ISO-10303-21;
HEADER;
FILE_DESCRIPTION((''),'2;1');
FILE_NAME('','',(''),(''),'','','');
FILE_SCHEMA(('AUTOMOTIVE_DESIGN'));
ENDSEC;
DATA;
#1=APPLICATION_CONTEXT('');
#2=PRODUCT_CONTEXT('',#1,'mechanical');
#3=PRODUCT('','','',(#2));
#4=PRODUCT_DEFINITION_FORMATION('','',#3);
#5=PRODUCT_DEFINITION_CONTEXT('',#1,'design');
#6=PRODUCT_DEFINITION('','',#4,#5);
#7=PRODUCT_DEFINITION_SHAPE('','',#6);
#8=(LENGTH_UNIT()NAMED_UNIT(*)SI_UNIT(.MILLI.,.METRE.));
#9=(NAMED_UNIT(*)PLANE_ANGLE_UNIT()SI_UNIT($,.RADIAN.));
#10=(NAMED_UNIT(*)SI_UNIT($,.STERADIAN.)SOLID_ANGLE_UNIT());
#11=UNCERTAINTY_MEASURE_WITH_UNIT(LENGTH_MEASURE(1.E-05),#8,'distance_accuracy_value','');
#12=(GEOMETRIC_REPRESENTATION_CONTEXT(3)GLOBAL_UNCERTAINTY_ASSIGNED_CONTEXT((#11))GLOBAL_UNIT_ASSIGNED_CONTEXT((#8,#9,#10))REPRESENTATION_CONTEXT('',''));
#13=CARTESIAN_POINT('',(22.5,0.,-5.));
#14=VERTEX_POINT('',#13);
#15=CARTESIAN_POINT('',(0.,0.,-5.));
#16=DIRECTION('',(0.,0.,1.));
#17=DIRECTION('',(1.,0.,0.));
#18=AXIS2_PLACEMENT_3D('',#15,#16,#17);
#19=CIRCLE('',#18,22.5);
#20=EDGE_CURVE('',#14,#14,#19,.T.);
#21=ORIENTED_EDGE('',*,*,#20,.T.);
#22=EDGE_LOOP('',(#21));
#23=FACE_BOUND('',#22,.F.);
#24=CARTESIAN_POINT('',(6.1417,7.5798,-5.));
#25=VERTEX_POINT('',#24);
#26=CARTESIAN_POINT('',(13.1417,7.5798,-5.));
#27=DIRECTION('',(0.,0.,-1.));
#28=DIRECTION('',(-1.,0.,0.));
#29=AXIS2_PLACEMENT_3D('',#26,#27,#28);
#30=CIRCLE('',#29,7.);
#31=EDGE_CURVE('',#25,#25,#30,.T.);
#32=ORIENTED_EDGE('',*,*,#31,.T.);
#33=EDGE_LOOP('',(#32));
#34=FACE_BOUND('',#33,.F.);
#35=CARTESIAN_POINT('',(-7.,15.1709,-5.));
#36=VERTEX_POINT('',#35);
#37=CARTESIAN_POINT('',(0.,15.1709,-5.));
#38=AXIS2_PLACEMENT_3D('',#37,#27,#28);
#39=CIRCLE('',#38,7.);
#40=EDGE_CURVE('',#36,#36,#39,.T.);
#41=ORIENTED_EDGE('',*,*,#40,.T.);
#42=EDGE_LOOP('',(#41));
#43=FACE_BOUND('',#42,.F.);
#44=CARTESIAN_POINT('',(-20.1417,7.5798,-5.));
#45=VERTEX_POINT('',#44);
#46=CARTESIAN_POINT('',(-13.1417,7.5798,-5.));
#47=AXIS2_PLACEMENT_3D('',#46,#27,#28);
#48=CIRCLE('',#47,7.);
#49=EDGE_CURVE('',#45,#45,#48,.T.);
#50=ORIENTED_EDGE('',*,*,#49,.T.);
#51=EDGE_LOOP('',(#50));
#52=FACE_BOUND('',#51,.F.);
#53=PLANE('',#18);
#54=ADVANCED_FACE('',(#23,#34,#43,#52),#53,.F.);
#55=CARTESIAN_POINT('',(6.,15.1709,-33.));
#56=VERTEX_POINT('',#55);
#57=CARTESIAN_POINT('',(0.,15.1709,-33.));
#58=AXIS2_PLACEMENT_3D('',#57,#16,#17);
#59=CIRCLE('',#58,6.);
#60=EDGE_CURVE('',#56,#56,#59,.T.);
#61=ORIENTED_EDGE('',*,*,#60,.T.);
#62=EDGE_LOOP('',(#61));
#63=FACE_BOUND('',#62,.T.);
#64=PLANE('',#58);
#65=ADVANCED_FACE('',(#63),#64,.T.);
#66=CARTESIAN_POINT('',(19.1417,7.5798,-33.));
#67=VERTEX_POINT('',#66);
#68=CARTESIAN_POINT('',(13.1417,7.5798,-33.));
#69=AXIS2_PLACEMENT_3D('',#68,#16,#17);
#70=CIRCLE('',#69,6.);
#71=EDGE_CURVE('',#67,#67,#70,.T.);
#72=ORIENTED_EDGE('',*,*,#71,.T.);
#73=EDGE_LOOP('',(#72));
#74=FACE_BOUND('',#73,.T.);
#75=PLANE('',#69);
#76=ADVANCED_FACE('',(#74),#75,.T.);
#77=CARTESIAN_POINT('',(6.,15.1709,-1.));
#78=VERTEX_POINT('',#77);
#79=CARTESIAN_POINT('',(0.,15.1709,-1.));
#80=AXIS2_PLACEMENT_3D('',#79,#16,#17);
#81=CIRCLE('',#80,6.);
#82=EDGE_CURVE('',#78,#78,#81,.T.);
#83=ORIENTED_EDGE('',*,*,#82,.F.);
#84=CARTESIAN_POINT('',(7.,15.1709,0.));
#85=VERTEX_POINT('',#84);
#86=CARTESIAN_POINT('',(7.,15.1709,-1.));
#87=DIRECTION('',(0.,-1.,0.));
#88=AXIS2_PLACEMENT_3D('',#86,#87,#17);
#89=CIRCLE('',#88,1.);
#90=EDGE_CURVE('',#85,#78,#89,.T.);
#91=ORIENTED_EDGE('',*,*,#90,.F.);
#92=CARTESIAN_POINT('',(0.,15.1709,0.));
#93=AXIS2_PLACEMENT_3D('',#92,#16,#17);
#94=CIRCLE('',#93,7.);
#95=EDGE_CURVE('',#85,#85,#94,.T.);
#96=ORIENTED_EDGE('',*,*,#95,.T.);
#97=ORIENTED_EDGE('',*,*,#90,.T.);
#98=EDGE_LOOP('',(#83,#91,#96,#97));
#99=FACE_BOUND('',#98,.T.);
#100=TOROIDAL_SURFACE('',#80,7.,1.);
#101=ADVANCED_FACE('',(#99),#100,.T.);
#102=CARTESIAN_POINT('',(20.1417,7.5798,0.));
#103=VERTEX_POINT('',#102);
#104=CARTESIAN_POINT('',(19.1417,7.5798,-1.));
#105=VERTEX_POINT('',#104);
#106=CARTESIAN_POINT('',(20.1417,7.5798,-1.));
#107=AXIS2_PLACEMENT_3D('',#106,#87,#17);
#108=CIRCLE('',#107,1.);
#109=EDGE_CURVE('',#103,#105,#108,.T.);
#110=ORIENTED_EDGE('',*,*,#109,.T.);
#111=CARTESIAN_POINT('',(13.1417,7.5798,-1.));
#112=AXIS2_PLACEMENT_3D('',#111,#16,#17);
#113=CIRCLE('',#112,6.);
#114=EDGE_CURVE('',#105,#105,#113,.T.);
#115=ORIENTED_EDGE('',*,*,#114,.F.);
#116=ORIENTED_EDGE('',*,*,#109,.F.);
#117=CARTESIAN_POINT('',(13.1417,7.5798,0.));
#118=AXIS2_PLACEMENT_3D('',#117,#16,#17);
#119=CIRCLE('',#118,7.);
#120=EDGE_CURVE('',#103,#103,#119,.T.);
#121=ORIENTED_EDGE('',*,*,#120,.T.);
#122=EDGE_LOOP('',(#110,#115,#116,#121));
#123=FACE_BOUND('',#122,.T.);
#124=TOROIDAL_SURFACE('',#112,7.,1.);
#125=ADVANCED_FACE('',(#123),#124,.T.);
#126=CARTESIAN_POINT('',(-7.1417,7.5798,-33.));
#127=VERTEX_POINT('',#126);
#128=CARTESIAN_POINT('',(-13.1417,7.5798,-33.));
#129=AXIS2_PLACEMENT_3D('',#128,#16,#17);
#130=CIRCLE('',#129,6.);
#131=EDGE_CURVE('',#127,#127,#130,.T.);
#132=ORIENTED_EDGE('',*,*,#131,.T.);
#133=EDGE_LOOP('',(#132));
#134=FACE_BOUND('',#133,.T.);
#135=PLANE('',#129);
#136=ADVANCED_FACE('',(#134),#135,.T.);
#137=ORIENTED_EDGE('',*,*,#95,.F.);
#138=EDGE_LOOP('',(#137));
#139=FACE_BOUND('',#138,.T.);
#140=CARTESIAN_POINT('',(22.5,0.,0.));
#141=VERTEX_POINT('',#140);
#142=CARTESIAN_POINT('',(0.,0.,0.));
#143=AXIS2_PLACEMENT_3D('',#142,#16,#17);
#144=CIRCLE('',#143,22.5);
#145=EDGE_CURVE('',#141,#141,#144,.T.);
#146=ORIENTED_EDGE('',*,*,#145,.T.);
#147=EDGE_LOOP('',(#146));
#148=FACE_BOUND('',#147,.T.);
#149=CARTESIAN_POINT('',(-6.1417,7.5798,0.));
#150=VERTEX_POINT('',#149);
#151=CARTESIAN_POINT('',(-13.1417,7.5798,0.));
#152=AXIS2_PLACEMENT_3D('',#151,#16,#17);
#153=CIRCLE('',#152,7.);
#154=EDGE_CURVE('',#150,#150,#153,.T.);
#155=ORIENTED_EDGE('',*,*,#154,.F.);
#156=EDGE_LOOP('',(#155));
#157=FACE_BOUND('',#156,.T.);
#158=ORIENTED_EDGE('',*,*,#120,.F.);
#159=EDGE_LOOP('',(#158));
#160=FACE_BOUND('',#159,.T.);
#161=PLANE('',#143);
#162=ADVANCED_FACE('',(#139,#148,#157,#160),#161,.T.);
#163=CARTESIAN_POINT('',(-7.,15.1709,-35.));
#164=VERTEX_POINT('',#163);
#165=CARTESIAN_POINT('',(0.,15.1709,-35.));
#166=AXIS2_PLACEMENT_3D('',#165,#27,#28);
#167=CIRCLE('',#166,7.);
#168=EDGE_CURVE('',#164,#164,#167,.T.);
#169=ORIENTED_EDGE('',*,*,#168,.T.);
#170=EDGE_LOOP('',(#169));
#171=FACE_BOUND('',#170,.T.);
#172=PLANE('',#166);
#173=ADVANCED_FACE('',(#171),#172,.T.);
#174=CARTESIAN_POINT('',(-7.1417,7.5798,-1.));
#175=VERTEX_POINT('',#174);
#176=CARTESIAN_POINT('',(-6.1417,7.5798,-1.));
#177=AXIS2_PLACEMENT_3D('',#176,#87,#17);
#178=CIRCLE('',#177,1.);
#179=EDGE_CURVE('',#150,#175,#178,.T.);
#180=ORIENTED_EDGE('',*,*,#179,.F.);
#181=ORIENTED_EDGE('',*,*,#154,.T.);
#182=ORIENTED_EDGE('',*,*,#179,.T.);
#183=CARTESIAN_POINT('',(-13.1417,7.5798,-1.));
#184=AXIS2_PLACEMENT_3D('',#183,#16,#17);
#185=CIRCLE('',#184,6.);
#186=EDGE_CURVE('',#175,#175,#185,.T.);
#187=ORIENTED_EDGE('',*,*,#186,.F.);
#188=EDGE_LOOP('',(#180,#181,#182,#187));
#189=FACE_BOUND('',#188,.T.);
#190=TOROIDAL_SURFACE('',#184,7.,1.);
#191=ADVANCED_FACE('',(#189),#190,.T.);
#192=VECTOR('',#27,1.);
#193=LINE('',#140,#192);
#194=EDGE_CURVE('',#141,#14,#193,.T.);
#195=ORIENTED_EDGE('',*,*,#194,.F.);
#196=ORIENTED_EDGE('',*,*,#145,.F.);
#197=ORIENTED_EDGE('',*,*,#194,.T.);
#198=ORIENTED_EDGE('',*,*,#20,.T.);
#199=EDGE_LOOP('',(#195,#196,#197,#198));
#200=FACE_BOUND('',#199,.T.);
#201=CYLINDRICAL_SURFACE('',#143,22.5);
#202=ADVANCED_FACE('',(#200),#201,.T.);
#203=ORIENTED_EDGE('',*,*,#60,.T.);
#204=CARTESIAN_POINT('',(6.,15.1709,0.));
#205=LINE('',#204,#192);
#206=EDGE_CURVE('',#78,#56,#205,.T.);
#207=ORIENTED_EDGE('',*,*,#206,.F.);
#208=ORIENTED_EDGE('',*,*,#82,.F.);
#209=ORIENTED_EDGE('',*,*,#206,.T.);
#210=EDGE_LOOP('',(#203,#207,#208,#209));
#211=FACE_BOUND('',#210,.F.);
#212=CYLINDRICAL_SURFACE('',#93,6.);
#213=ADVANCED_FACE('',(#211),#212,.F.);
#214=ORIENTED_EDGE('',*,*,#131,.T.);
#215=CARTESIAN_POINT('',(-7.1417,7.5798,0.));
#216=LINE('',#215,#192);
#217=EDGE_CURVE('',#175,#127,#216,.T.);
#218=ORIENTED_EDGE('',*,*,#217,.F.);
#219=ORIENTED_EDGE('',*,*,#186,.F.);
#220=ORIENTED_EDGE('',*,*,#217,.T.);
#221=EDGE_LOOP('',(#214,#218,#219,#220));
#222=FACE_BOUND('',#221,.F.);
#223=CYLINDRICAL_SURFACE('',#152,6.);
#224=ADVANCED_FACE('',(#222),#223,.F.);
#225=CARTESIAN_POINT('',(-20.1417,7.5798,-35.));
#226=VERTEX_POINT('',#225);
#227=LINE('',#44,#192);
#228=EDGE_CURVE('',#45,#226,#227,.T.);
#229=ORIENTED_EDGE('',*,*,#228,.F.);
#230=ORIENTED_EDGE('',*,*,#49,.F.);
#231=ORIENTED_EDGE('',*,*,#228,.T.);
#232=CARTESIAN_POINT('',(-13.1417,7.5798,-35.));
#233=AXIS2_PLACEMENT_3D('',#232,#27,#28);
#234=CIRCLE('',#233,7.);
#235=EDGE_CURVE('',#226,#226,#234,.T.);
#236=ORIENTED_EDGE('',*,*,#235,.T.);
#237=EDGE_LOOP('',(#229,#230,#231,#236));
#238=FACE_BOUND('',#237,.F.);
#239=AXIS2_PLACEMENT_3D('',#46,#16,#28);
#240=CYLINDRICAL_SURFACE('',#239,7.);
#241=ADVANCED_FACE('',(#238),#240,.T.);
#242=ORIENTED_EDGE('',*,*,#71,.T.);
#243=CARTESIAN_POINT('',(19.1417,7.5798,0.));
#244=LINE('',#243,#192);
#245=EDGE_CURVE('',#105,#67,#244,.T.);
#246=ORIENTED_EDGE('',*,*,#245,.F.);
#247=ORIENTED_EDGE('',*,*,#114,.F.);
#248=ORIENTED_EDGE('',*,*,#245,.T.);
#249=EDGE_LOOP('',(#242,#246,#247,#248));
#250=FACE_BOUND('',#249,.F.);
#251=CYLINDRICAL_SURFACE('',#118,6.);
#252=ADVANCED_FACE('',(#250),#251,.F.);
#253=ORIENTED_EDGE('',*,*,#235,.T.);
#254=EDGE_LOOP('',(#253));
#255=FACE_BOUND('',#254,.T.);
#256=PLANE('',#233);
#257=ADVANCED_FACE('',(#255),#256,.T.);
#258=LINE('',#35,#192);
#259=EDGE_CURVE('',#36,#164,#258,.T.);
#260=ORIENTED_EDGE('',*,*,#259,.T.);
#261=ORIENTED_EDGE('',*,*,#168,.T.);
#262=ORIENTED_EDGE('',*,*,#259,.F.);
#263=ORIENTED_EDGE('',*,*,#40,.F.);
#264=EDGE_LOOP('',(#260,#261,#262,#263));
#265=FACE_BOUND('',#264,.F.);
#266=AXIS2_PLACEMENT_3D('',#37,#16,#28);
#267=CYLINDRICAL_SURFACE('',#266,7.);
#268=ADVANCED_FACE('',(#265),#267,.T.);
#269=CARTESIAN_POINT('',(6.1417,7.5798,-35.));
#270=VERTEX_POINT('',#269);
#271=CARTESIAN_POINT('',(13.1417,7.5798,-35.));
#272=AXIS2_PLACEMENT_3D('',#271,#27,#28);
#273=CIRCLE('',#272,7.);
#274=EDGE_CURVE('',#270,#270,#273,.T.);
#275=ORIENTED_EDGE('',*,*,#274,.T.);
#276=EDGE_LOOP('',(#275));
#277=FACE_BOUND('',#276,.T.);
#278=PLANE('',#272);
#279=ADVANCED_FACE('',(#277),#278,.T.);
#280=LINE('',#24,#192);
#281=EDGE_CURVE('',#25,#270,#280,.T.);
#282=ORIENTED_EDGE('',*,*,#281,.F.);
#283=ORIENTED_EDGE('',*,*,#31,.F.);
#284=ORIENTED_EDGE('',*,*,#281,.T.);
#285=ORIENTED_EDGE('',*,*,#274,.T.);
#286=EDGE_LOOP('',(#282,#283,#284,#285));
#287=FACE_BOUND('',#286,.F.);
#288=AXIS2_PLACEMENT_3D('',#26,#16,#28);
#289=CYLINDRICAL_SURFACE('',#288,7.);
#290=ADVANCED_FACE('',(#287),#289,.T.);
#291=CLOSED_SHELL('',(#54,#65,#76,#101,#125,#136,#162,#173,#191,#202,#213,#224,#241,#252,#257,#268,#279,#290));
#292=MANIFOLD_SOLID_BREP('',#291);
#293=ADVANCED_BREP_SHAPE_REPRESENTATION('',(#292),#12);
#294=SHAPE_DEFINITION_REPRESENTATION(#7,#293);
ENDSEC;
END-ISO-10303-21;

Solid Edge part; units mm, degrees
sketch "Sketch1" plane through (0, 0, 0) normal (0, 0, 1) x (1, 0, 0)
  circle A0 centre (0, 0) radius 22.5
extrude "Protrusion1" add sketch "Sketch1" against normal blind 5
sketch "Sketch2" plane through (0, 0, -5) normal (0, 0, -1) x (-1, 0, 0)
  circle A0 centre (-13.1417, 7.5798) radius 7
  circle A1 centre (0, 15.1709) radius 7
  circle A2 centre (13.1417, 7.5798) radius 7
  dimension "D1" = 14
  dimension "D2" = 14
extrude "ExtrudedProtrusion_2" add sketch "Sketch2" along normal blind 30
sketch "Sketch3" plane through (0, 0, 0) normal (0, 0, 1) x (1, 0, 0)
  circle A0 centre (13.1417, 7.5798) radius 6
  circle A1 centre (0, 15.1709) radius 6
  circle A2 centre (-13.1417, 7.5798) radius 6
  dimension "D1" = 12
  dimension "D2" = 45
  dimension "D3" = 12
  dimension "D4" = 15.1709
  dimension "D5" = 43.8583
extrude "ExtrudedCutout_2" cut sketch "Sketch3" against normal blind 33
fillet "Round_1" radius 1 3 edges at (-6, 15.1709, 0) (-19.1417, 7.5798, 0) (7.1417, 7.5798, 0)
